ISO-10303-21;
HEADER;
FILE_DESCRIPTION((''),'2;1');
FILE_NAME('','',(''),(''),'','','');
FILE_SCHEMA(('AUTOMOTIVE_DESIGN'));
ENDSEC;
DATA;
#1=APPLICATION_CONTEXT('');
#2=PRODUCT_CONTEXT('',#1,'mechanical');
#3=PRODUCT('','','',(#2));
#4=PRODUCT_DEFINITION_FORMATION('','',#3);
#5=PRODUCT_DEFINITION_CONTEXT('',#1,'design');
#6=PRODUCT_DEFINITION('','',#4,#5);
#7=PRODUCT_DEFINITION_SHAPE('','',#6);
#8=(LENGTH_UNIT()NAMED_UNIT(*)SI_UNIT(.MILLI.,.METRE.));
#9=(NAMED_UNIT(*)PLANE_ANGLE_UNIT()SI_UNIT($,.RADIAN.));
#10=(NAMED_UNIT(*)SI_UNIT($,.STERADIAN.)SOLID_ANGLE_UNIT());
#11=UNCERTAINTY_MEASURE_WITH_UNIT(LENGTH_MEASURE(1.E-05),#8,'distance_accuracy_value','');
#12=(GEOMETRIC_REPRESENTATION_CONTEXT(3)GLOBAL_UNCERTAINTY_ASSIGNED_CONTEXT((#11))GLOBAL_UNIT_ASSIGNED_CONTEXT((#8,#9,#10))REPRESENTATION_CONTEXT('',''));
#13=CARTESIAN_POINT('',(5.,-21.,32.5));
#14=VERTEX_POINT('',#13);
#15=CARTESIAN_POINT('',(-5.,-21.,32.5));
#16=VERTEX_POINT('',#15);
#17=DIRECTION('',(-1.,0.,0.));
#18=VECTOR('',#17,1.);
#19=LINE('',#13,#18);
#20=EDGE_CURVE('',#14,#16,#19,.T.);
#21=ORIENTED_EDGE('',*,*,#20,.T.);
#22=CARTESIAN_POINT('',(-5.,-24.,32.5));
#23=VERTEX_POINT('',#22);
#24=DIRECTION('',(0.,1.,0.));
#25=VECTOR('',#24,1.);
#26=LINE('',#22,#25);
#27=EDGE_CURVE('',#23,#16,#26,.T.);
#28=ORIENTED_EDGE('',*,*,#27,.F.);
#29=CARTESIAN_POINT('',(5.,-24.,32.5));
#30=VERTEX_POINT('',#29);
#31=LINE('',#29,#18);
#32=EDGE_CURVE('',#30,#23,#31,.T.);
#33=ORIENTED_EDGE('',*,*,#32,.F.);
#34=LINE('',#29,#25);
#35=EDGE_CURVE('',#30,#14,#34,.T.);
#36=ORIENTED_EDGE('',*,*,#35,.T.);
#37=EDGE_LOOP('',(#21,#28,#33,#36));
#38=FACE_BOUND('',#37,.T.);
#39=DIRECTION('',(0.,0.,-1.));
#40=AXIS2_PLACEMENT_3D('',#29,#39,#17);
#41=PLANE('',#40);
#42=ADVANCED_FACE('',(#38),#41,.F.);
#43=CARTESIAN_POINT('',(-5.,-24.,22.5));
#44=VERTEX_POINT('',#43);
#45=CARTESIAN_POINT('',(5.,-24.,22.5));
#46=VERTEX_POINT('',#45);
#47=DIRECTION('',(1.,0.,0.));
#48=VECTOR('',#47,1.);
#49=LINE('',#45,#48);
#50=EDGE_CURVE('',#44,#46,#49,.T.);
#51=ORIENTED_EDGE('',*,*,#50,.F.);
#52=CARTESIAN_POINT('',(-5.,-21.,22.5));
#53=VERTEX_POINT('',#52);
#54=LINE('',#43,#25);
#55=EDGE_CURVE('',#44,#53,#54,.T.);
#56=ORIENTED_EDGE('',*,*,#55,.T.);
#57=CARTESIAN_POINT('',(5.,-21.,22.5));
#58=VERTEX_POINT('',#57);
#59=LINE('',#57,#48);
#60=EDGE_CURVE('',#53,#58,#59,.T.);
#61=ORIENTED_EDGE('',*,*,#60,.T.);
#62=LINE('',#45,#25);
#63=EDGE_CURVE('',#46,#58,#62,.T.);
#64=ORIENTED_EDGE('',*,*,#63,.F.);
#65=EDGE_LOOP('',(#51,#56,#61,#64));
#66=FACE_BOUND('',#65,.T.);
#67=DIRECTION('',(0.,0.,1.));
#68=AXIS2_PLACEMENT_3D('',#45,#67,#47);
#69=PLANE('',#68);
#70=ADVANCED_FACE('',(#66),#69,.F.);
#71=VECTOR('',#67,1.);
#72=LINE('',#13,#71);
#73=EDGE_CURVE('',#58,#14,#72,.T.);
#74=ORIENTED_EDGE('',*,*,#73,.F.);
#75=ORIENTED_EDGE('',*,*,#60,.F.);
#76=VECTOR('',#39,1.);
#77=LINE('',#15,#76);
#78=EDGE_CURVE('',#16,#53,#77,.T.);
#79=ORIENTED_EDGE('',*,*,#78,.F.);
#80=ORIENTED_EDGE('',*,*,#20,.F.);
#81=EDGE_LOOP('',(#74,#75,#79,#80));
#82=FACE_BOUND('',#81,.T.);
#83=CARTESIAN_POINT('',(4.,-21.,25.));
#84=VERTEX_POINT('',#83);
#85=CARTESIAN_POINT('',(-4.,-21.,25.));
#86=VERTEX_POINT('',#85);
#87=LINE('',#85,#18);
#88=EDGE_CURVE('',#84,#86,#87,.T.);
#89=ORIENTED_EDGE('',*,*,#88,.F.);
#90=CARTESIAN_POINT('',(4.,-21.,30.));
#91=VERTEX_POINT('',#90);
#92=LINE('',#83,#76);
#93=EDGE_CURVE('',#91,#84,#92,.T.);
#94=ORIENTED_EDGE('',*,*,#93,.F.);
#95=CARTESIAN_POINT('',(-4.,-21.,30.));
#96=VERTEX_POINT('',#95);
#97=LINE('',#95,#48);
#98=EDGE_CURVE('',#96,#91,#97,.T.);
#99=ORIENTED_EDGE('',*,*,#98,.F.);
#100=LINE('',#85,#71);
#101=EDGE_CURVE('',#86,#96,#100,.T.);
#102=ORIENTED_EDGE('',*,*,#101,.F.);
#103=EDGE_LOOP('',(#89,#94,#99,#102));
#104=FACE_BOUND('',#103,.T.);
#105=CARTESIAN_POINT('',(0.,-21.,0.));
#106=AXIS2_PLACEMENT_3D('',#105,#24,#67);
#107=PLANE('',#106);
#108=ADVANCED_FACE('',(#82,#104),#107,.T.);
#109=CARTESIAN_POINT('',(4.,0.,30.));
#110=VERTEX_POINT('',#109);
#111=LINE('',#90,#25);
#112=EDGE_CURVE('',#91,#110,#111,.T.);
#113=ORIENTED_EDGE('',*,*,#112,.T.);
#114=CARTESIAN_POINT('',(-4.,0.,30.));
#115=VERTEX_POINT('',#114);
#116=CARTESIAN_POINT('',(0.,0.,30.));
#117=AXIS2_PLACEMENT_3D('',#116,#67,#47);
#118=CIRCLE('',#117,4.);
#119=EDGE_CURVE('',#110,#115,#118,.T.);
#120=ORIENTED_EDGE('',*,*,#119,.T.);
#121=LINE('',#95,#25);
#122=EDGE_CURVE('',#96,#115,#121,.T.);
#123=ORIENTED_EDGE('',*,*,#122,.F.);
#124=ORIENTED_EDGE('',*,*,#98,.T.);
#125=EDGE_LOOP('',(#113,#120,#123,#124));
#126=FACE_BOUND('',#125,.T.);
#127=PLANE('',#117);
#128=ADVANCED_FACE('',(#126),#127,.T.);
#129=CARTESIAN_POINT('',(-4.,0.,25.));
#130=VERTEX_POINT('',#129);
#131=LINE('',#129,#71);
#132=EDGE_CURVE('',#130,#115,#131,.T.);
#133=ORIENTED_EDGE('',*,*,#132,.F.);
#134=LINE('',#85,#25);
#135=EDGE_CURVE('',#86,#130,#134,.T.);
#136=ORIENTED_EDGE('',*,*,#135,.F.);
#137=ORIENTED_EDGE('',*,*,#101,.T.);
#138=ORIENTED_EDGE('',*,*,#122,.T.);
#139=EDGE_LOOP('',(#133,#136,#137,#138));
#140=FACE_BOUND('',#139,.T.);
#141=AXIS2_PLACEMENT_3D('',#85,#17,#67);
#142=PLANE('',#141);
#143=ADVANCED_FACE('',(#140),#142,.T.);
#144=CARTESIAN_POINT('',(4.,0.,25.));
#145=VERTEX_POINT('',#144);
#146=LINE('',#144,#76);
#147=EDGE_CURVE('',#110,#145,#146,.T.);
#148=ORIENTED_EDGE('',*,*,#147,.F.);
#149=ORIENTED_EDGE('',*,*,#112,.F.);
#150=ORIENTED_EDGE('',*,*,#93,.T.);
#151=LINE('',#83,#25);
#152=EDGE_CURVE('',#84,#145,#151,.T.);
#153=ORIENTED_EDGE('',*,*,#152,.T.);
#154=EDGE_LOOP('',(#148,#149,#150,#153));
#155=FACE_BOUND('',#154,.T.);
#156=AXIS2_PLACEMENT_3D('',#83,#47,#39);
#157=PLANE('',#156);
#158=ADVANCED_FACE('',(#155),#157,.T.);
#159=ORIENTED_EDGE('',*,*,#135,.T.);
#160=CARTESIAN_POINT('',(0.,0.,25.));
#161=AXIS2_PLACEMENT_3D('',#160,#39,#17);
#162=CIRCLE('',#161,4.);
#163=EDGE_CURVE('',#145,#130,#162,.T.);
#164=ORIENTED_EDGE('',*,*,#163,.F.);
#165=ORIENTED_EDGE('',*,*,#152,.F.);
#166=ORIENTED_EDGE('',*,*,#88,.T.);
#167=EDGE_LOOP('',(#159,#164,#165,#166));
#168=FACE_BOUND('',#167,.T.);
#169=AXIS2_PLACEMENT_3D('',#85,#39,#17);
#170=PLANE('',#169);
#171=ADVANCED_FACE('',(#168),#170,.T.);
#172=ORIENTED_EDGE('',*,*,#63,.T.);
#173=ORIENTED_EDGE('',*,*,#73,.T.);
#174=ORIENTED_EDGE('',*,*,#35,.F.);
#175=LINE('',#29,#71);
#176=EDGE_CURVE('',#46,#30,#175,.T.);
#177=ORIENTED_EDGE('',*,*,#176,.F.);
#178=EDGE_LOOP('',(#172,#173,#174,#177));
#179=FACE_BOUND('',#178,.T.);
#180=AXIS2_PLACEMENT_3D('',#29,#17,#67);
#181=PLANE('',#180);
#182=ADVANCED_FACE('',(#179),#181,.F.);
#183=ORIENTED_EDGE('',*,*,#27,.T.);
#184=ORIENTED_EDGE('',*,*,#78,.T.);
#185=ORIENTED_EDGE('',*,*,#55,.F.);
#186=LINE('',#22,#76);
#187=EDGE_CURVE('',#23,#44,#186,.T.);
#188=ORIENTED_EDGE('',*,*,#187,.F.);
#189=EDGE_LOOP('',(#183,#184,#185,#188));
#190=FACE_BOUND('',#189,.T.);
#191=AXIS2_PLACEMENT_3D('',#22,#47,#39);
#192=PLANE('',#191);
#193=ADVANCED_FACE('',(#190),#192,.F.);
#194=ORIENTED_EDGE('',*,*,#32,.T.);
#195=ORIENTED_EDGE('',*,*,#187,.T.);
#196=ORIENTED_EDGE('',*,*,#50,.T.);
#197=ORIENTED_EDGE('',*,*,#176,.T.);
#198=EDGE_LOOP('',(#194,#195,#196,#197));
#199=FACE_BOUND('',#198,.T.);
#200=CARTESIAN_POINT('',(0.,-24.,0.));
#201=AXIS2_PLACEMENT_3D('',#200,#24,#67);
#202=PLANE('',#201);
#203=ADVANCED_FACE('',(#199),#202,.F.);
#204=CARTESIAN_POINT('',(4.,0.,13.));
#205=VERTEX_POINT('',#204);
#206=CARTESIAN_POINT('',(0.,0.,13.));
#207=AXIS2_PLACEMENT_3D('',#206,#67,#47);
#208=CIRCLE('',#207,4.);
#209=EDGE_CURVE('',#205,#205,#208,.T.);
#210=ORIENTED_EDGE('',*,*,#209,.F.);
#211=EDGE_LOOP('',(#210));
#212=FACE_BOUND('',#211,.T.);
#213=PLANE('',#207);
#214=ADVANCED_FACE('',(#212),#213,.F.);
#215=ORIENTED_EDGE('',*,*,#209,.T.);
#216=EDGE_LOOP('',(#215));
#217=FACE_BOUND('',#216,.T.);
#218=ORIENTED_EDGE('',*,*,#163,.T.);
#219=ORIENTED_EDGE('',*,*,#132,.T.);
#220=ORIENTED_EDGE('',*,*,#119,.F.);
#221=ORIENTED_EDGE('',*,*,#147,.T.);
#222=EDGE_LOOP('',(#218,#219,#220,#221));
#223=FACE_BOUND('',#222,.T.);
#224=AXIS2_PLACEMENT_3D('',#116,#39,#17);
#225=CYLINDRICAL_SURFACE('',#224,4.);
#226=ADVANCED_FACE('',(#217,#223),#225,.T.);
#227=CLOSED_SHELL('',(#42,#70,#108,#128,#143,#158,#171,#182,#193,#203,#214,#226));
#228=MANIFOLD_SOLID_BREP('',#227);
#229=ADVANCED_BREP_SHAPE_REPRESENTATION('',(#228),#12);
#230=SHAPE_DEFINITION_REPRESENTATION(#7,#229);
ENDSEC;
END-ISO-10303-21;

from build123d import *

# Parameters (mm, degrees)
BOSS_EXTRUDE1_START = 13
SKETCH1_R           = 1.9
BOSS_EXTRUDE1_DEPTH = 0.0001
BOSS_EXTRUDE2_START = 13
SKETCH2_R           = 4
BOSS_EXTRUDE2_DEPTH = 17
SKETCH6_W           = 8
SKETCH6_H           = 5
BOSS_EXTRUDE3_DEPTH = 21
SKETCH7_W           = 10
SKETCH7_H           = 10
BOSS_EXTRUDE4_DEPTH = 3


with BuildPart() as part:
    # Sketch1 → Boss-Extrude1 (new body)
    with BuildSketch(Plane.XY.offset(BOSS_EXTRUDE1_START)):
        Circle(SKETCH1_R)
    extrude(amount=BOSS_EXTRUDE1_DEPTH)

    # Sketch2 → Boss-Extrude2 (add)
    with BuildSketch(Plane.XY.offset(BOSS_EXTRUDE2_START)):
        Circle(SKETCH2_R)
    extrude(amount=BOSS_EXTRUDE2_DEPTH)

    # Sketch6 → Boss-Extrude3 (add)
    with BuildSketch(Plane(origin=(0, 0, 0), x_dir=(1, 0, 0), z_dir=(0, 1, 0))):
        with Locations((0, -27.5)):
            Rectangle(SKETCH6_W, SKETCH6_H)
    extrude(amount=-BOSS_EXTRUDE3_DEPTH)

    # Sketch7 → Boss-Extrude4 (add)
    with BuildSketch(Plane.XZ.offset(21)):
        with Locations((0, 27.5)):
            Rectangle(SKETCH7_W, SKETCH7_H)
    extrude(amount=BOSS_EXTRUDE4_DEPTH)


solid = part.part
